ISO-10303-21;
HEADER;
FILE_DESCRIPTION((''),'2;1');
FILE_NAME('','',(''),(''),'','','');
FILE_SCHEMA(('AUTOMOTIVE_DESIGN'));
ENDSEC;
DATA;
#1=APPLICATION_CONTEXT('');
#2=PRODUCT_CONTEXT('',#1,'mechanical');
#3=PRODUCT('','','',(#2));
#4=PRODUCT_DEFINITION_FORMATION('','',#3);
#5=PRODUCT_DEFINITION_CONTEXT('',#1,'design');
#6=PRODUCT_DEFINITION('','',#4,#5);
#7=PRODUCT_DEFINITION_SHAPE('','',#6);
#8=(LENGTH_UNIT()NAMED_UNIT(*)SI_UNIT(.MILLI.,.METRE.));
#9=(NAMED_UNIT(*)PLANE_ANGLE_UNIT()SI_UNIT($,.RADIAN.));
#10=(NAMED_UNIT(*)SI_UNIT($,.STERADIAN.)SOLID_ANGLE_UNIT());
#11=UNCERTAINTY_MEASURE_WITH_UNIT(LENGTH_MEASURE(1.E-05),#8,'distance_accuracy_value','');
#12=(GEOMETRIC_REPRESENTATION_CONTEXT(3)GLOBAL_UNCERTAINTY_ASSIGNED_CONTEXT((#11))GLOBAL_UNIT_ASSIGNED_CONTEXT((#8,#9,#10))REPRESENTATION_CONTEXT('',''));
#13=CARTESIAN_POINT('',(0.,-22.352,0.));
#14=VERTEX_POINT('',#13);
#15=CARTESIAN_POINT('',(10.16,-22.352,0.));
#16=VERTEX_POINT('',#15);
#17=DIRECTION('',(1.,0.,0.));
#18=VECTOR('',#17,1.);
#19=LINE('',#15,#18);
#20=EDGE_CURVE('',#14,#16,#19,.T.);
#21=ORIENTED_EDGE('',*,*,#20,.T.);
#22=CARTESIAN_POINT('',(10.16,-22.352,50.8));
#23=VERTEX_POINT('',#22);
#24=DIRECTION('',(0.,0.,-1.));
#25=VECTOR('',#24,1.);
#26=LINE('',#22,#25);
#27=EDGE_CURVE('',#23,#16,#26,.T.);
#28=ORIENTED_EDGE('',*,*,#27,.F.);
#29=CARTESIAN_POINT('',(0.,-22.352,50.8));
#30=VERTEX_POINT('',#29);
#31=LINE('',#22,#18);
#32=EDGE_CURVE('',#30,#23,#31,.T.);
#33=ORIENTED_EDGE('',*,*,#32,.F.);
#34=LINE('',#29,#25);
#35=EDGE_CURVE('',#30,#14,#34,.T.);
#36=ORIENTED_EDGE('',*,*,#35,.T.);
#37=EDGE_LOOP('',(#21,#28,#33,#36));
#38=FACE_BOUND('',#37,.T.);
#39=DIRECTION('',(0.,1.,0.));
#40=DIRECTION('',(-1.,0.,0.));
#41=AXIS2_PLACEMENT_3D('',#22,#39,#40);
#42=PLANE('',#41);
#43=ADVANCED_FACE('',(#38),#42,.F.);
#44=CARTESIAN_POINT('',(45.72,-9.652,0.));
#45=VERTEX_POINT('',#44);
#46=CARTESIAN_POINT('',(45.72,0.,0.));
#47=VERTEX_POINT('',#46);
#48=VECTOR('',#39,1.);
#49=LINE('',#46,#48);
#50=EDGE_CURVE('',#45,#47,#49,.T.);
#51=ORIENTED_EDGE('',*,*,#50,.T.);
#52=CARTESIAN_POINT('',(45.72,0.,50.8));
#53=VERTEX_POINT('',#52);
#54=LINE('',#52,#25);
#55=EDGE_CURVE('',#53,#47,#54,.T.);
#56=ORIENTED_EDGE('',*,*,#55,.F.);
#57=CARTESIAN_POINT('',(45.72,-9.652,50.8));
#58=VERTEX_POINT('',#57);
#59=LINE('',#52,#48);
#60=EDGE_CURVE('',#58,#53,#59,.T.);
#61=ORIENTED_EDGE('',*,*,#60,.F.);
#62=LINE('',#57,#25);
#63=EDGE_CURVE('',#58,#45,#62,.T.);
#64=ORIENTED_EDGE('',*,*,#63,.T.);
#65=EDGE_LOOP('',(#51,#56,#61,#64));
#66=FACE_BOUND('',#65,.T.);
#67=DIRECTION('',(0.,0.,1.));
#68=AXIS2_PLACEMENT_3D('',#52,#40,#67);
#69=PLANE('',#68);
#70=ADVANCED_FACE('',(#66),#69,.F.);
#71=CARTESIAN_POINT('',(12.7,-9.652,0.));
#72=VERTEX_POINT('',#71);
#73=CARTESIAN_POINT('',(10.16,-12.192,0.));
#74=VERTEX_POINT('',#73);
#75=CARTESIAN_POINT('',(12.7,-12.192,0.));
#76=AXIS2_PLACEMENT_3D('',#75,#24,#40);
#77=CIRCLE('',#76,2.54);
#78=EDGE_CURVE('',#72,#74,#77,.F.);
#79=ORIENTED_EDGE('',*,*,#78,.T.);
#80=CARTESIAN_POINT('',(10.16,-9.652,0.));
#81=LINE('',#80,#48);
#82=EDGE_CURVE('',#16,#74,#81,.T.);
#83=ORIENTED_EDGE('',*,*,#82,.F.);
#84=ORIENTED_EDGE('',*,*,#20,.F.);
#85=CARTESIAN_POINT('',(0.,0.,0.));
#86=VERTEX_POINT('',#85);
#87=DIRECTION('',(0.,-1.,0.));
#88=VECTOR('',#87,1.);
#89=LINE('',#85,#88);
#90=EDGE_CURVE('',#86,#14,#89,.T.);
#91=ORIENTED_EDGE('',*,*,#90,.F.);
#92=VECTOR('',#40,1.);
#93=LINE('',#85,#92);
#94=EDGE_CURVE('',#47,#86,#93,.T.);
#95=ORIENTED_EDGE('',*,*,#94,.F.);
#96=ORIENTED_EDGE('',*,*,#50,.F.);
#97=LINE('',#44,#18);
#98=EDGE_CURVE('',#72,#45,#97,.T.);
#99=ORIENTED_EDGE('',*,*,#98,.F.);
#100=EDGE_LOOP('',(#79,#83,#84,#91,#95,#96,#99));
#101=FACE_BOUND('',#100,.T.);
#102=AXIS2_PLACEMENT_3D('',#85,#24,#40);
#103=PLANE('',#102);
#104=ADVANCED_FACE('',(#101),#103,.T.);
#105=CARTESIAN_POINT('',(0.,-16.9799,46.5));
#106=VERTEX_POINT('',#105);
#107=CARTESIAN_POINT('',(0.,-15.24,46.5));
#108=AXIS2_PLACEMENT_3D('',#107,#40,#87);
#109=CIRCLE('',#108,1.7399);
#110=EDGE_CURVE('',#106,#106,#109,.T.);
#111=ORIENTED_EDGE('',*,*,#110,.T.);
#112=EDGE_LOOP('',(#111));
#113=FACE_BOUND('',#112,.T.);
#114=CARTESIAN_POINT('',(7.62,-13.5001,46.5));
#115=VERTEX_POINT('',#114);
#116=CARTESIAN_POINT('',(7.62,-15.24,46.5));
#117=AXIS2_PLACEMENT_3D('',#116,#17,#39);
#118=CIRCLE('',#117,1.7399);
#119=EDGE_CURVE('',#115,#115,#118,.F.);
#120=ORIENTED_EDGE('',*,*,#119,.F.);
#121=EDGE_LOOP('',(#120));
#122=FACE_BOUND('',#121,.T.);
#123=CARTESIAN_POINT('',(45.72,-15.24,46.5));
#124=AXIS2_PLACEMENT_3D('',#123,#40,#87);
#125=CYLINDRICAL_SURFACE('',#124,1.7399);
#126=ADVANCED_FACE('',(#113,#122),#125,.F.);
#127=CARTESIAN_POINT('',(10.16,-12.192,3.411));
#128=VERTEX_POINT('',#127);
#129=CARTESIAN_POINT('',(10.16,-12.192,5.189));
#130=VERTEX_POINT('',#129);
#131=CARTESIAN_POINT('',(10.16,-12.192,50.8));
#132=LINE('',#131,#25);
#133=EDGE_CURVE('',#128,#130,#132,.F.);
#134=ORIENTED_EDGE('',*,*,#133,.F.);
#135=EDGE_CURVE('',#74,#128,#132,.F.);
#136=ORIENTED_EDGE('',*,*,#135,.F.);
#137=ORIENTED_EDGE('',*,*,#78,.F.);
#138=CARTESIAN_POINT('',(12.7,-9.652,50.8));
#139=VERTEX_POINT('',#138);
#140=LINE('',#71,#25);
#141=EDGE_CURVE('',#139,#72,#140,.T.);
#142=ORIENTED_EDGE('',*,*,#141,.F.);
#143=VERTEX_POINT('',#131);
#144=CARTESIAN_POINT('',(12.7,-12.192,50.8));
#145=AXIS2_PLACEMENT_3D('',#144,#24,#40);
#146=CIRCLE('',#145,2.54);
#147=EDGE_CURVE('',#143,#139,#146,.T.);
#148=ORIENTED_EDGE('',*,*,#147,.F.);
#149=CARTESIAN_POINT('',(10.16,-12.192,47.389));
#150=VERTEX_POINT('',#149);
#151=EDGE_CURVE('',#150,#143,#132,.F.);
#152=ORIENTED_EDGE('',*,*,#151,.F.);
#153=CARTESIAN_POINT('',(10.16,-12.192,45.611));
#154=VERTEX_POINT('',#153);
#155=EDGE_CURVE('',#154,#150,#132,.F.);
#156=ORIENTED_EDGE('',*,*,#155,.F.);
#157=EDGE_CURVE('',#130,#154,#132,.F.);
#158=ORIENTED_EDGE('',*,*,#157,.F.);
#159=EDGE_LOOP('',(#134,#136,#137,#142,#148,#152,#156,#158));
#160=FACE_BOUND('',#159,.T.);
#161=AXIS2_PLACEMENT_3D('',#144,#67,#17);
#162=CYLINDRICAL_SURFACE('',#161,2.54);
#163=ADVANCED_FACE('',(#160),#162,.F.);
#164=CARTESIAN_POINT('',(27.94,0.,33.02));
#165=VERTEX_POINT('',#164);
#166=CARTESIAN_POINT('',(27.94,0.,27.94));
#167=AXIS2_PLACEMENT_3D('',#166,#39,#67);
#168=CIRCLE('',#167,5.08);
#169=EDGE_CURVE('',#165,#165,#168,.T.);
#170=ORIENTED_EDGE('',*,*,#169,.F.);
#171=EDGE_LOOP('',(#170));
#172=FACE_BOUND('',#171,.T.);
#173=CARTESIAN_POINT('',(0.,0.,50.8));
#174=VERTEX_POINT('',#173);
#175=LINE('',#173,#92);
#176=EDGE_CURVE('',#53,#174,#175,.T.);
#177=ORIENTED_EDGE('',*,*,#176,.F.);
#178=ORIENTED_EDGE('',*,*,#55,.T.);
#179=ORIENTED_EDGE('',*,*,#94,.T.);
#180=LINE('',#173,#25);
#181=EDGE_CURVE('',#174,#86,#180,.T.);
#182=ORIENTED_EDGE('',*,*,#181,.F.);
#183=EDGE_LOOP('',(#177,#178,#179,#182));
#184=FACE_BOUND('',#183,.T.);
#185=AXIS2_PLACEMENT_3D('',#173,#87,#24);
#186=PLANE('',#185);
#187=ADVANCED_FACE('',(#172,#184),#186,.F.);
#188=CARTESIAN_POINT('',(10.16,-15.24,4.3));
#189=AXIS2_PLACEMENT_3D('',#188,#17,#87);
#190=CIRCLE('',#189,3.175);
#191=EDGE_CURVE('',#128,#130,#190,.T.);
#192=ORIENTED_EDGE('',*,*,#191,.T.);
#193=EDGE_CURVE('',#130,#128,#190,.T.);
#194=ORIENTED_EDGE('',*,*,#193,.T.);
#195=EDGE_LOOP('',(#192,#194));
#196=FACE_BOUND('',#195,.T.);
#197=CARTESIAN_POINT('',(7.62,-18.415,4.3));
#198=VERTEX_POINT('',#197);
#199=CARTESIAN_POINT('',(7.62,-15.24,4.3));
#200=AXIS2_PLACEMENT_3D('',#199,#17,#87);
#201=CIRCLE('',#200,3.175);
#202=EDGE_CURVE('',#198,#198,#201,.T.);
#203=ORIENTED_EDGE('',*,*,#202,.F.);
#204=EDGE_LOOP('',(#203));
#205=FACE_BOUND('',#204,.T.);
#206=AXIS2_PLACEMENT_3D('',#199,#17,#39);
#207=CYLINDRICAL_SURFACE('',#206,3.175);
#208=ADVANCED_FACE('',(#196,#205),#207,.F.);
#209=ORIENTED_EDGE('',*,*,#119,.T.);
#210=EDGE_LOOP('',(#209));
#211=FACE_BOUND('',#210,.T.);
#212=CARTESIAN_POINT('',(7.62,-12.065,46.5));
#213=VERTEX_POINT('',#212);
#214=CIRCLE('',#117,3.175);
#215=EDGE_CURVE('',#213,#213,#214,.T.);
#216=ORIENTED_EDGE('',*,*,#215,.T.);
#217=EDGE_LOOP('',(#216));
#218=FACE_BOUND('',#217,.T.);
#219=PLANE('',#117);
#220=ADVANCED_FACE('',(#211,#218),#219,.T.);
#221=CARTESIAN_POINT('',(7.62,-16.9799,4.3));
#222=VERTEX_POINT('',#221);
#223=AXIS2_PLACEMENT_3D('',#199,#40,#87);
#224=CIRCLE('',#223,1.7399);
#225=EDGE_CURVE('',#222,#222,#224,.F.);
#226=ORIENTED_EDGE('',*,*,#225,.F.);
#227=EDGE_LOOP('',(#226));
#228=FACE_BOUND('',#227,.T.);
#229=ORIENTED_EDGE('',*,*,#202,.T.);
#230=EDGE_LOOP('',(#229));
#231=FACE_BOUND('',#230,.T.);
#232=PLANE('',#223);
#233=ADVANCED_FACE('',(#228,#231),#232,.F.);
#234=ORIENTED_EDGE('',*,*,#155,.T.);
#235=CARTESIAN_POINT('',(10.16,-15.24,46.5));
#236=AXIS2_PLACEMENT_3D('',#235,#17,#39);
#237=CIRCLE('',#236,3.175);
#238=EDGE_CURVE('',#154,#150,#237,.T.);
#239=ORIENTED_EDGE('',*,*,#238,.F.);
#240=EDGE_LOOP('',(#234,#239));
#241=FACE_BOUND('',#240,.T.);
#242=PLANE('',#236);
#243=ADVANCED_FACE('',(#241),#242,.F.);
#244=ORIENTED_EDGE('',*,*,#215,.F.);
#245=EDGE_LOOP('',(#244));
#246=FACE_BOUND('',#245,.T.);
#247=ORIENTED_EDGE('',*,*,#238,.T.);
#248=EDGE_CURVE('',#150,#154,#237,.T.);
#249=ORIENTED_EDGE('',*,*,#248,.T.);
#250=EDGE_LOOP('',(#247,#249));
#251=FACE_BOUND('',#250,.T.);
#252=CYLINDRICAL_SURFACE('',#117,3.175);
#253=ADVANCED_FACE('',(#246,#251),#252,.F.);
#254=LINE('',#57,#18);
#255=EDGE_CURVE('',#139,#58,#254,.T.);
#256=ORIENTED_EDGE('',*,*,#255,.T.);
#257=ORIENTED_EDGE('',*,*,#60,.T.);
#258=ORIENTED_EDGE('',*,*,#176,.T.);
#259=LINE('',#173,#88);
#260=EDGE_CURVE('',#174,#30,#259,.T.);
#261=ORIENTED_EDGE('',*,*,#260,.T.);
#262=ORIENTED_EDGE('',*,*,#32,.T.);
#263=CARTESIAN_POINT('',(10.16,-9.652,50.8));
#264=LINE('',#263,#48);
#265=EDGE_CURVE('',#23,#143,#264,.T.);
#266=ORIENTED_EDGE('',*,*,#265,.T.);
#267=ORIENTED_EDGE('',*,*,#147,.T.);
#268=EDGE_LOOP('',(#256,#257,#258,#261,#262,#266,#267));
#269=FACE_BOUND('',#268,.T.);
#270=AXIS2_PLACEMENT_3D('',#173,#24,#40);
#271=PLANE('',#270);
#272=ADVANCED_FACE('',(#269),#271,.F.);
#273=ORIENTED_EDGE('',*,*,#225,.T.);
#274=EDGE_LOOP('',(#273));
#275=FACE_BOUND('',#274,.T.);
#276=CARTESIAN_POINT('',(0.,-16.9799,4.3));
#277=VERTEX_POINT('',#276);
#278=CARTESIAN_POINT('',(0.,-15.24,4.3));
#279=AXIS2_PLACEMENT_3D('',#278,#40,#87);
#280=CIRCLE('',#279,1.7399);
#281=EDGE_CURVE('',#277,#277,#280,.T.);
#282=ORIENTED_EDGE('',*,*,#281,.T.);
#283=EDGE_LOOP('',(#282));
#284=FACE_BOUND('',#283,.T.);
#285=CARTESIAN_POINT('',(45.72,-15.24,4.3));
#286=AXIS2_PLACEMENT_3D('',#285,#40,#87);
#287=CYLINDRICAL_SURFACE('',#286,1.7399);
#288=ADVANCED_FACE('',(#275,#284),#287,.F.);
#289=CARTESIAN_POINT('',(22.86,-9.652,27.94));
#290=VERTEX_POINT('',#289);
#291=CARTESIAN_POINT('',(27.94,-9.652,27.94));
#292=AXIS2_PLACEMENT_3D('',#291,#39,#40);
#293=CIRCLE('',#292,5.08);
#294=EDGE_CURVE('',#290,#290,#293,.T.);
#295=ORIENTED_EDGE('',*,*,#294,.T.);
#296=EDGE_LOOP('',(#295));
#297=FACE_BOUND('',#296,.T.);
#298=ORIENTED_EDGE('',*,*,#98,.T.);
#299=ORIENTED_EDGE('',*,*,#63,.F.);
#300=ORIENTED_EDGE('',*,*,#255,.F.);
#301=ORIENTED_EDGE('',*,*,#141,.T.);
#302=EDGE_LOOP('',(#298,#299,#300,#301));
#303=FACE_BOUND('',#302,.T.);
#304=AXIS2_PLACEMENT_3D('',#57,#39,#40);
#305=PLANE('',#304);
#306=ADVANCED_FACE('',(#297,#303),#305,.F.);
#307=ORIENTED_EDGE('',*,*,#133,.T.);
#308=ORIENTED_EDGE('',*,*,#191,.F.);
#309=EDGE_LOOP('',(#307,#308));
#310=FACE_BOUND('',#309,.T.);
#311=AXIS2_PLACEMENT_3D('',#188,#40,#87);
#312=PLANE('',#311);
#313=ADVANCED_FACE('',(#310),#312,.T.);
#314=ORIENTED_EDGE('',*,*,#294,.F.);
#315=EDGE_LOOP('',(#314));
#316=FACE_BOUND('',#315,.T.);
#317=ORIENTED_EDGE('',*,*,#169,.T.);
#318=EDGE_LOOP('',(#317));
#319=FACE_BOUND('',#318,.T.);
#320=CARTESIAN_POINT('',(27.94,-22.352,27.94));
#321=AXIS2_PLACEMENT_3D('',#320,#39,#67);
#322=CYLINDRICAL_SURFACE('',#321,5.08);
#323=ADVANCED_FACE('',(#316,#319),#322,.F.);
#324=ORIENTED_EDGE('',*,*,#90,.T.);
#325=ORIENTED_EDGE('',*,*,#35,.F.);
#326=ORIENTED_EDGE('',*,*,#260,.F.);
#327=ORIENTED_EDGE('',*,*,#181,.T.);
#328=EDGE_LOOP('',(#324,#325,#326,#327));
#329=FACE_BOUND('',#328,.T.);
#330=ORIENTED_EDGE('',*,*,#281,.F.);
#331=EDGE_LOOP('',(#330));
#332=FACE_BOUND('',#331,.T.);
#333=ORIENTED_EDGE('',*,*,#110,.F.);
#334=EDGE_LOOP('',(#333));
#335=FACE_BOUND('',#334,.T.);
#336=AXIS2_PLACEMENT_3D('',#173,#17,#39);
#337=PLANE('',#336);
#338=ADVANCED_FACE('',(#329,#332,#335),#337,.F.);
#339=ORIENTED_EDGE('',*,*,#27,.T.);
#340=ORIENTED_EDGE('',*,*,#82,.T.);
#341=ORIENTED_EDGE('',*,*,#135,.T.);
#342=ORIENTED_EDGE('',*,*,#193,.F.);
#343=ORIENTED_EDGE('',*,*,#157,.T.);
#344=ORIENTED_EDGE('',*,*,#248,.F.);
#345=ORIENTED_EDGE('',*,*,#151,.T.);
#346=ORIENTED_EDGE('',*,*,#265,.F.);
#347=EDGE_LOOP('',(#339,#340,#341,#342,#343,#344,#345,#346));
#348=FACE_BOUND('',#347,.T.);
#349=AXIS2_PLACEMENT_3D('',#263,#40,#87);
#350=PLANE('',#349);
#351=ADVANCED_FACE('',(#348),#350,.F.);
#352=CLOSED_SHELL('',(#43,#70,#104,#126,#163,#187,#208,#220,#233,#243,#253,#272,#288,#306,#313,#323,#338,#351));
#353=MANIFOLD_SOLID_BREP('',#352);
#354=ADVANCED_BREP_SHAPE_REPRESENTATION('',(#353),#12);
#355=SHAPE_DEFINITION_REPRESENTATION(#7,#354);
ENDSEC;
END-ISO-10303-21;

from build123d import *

# Parameters (mm, degrees)
BOSS_EXTRUDE1_DEPTH = 50.8
SKETCH2_R           = 1.7399
CUT_EXTRUDE1_DEPTH  = 45.72
FILLET1_R           = 2.54
SKETCH11_R          = 3.175
CUT_EXTRUDE5_DEPTH  = 2.54
SKETCH12_R          = 5.08
CUT_EXTRUDE6_DEPTH  = 72.906677743


with BuildPart() as part:
    # Sketch1 → Boss-Extrude1 (new body)
    with BuildSketch(Plane.XY):
        Polygon((0, 0), (0, -22.352), (10.16, -22.352), (10.16, -9.652), (45.72, -9.652), (45.72, 0), align=None)
    extrude(amount=BOSS_EXTRUDE1_DEPTH)

    # Sketch2 → Cut-Extrude1 (cut)
    with BuildSketch(Plane.ZY):
        with Locations((4.3, -15.24)):
            Circle(SKETCH2_R)
        with Locations((46.5, -15.24)):
            Circle(SKETCH2_R)
    extrude(amount=-CUT_EXTRUDE1_DEPTH, mode=Mode.SUBTRACT)

    # Fillet1
    fillet1_edges = [part.edges().sort_by_distance(p)[0] for p in [
        (10.16, -9.652, 25.4),
    ]]
    fillet(fillet1_edges, radius=FILLET1_R)

    # Sketch11 → Cut-Extrude5 (cut)
    with BuildSketch(Plane(origin=(10.16, 0, 0), x_dir=(0, 0, -1), z_dir=(1, 0, 0))):
        with Locations((-46.5, -15.24)):
            Circle(SKETCH11_R)
        with Locations((-4.3, -15.24)):
            Circle(SKETCH11_R)
    extrude(amount=-CUT_EXTRUDE5_DEPTH, mode=Mode.SUBTRACT)

    # Sketch12 → Cut-Extrude6 (cut, through all)
    with BuildSketch(Plane(origin=(0, 0, 0), x_dir=(1, 0, 0), z_dir=(0, 1, 0))):
        with Locations((27.94, -27.94)):
            Circle(SKETCH12_R)
    extrude(amount=-CUT_EXTRUDE6_DEPTH, mode=Mode.SUBTRACT)


solid = part.part
